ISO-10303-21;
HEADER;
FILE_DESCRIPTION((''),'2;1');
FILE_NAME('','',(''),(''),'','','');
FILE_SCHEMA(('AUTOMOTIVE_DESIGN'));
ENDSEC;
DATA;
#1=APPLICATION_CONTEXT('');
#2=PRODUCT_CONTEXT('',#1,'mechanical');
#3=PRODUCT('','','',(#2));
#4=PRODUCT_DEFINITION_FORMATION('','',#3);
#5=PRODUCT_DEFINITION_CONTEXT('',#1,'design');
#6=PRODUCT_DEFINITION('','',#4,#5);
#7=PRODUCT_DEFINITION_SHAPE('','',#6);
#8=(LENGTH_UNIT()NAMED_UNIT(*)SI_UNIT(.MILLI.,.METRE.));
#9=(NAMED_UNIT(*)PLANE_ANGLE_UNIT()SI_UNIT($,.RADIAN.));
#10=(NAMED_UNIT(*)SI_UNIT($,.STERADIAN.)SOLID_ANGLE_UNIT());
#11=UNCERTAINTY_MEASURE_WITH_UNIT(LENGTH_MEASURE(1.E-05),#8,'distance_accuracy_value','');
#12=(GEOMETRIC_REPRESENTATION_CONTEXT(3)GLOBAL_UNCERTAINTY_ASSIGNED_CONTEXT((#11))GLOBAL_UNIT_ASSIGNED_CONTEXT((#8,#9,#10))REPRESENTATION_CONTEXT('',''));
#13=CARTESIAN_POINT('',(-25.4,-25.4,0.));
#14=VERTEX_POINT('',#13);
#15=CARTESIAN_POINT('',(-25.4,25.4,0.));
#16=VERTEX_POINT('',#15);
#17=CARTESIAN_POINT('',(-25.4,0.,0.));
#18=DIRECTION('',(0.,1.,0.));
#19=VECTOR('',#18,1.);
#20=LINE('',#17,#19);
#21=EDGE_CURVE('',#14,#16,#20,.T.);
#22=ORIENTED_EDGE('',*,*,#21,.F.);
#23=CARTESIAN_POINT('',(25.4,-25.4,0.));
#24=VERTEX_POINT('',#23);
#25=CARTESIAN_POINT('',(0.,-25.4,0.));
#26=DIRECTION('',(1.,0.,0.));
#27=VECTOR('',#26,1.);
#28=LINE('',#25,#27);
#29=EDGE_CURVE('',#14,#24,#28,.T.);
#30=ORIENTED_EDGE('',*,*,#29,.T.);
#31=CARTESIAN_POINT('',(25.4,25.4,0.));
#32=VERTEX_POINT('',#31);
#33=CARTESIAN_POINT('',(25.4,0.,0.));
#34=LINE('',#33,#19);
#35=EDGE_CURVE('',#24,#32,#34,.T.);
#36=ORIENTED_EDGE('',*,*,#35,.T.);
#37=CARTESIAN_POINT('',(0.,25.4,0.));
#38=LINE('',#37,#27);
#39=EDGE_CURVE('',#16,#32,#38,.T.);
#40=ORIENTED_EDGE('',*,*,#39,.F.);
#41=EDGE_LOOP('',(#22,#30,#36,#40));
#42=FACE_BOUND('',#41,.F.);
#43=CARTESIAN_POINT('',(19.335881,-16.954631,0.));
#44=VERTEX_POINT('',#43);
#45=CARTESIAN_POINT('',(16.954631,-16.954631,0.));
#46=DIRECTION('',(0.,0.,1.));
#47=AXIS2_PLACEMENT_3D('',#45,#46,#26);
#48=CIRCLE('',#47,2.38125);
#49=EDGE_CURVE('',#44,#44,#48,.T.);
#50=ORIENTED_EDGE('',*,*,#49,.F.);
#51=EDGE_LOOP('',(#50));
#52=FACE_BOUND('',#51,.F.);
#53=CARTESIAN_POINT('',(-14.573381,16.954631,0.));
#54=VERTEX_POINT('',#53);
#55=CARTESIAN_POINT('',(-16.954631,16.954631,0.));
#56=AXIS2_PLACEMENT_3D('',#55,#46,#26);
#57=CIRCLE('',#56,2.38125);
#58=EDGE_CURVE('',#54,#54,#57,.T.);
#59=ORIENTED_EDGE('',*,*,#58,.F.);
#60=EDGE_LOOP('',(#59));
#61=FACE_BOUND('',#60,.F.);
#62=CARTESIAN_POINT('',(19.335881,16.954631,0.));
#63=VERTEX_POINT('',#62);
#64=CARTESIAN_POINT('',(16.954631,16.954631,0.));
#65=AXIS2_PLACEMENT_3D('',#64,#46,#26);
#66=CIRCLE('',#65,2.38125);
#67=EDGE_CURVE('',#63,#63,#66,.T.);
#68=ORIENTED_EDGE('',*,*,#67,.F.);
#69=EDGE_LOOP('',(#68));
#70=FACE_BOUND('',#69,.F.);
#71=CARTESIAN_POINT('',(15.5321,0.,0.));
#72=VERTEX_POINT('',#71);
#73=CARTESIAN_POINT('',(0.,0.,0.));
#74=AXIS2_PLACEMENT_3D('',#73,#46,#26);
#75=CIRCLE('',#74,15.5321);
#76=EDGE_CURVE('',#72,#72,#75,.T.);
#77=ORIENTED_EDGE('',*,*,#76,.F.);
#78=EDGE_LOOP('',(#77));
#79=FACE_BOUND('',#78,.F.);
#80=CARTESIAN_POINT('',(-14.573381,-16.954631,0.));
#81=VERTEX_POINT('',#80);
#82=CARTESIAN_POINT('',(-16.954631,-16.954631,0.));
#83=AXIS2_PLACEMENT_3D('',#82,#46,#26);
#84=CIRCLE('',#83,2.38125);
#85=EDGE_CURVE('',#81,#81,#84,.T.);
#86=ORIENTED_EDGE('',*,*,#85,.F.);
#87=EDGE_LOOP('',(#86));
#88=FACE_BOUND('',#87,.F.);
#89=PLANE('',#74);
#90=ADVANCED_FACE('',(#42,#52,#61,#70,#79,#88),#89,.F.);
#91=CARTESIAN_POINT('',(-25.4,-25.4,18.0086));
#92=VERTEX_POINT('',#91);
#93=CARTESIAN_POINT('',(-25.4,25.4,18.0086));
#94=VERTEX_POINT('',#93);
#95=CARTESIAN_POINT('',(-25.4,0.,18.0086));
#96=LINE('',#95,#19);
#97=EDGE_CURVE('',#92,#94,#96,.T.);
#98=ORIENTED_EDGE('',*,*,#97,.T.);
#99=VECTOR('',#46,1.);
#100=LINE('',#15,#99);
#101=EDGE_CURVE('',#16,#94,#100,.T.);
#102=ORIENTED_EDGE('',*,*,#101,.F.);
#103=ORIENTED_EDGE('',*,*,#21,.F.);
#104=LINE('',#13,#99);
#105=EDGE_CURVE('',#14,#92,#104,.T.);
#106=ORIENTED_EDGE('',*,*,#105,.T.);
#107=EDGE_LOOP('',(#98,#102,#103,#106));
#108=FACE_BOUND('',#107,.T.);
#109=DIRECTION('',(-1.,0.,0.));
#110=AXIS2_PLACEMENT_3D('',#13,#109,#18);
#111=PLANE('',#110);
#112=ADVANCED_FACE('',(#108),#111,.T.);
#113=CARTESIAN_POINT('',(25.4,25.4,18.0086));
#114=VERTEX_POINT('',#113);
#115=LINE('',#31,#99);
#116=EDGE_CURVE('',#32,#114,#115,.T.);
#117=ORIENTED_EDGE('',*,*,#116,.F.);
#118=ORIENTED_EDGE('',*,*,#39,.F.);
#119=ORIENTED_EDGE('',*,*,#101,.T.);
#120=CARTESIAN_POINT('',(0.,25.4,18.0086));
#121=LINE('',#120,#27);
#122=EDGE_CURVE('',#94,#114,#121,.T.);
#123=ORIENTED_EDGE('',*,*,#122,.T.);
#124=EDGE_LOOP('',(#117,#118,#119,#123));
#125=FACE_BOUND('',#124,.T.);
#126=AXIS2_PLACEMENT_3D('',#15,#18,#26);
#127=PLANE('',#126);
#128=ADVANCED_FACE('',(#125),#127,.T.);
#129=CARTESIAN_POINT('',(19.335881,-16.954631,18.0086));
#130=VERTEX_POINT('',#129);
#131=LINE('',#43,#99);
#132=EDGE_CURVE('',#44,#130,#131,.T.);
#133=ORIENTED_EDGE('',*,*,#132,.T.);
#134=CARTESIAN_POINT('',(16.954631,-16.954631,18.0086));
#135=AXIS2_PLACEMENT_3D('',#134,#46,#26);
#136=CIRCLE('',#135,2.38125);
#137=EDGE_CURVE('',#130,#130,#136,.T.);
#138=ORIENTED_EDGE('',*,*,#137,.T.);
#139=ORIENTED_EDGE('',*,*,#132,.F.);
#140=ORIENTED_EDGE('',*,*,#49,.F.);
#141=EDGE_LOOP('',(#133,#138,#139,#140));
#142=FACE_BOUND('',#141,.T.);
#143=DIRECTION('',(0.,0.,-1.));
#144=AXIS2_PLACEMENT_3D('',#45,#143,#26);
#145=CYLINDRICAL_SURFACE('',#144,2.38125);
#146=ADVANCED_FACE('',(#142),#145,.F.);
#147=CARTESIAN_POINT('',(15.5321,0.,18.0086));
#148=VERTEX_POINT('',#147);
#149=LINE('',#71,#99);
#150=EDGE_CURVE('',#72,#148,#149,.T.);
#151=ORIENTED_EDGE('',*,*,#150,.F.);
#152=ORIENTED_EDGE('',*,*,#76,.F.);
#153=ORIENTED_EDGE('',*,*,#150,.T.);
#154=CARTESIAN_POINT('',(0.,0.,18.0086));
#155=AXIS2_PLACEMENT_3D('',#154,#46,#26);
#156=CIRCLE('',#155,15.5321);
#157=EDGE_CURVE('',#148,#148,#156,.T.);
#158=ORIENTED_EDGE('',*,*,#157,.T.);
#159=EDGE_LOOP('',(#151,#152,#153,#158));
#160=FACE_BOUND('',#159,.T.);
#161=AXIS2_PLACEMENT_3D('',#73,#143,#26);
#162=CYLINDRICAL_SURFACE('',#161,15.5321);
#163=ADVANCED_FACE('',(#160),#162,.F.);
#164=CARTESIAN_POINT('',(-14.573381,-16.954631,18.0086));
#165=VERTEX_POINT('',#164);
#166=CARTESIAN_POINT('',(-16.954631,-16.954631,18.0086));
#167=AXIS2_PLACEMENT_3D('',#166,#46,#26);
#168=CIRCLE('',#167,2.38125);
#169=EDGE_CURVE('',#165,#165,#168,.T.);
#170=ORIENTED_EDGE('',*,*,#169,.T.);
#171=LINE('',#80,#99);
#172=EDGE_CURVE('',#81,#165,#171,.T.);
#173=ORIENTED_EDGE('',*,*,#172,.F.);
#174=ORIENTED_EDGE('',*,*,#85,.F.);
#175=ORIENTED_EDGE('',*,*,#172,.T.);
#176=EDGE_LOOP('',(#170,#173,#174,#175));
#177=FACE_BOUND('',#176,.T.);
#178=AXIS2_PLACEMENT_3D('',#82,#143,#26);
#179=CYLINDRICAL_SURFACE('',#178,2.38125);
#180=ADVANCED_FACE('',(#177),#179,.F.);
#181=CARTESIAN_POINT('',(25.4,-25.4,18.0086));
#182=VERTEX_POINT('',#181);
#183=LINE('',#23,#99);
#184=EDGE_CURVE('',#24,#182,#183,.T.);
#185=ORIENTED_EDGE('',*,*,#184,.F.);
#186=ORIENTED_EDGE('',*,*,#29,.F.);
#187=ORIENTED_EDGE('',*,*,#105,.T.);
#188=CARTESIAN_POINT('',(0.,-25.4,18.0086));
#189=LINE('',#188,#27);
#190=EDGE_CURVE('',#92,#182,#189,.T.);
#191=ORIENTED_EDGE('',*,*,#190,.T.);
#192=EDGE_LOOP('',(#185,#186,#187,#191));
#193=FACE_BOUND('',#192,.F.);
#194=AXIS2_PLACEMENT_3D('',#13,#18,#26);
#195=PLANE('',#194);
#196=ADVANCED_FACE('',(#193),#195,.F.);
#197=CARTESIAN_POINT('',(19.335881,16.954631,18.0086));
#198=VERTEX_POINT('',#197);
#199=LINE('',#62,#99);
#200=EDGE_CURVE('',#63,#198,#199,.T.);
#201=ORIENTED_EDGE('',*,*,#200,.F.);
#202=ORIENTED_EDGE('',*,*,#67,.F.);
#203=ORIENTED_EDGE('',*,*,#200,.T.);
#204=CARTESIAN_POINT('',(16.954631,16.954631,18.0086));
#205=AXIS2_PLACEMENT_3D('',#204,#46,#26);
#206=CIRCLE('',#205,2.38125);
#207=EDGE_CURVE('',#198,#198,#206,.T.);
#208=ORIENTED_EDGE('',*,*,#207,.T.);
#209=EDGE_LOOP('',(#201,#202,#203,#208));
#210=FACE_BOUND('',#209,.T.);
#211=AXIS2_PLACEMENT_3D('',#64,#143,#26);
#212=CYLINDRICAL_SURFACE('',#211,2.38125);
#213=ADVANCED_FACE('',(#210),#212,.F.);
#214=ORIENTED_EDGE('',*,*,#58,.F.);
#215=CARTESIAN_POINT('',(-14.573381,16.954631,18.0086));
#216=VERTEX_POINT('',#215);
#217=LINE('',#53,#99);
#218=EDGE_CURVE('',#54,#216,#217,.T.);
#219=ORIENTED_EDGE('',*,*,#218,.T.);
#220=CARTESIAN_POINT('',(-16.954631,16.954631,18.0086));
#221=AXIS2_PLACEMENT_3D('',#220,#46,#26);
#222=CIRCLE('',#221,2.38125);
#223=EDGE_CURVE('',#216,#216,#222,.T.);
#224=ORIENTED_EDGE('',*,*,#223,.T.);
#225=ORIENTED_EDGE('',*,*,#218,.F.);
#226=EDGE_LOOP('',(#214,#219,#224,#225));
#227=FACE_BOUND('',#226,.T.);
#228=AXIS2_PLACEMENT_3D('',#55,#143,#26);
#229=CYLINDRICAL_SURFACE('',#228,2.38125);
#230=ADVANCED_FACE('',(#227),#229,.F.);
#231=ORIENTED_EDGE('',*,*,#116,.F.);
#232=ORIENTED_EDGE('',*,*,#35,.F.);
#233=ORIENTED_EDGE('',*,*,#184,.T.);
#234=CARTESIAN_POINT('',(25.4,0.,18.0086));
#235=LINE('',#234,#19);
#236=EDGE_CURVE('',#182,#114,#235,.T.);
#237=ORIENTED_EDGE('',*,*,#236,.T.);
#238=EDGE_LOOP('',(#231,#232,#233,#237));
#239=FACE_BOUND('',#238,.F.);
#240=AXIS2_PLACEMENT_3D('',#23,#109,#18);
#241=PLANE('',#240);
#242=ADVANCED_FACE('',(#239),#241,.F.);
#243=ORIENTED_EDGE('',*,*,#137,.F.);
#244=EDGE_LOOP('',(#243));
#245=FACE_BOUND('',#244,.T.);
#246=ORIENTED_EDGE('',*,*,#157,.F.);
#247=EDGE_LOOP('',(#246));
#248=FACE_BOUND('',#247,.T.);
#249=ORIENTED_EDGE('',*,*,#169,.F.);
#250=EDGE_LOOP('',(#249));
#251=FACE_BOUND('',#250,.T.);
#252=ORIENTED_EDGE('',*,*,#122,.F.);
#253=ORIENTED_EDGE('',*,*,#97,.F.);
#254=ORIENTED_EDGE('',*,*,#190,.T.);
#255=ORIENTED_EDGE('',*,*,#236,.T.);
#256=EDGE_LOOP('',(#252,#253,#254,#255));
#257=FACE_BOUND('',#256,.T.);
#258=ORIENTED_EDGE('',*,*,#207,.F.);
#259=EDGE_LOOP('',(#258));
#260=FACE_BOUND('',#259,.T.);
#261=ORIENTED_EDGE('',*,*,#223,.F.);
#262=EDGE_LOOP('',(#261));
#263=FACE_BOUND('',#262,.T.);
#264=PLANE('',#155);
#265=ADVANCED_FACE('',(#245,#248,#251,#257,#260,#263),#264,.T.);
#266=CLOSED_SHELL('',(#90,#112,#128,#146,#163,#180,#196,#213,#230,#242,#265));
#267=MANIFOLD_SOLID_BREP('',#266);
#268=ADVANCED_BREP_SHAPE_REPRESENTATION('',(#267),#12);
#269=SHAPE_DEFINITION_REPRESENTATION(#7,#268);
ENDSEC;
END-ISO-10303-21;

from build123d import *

# Parameters (mm, degrees)
F0_W     = 50.8
F0_H     = 50.8
F0_R     = 2.38125
F0_R_2   = 15.5321
F1_DEPTH = 18.0086


with BuildPart() as f1:
    # F0 (on Top) → F1 (new body)
    with BuildSketch(Plane.XY):
        Rectangle(F0_W, F0_H)
        with Locations((-16.954631, -16.954631)):
            Circle(F0_R, mode=Mode.SUBTRACT)
        Circle(F0_R_2, mode=Mode.SUBTRACT)
        with Locations((16.954631, -16.954631)):
            Circle(F0_R, mode=Mode.SUBTRACT)
        with Locations((-16.954631, 16.954631)):
            Circle(F0_R, mode=Mode.SUBTRACT)
        with Locations((16.954631, 16.954631)):
            Circle(F0_R, mode=Mode.SUBTRACT)
    extrude(amount=F1_DEPTH)


solid = f1.part
